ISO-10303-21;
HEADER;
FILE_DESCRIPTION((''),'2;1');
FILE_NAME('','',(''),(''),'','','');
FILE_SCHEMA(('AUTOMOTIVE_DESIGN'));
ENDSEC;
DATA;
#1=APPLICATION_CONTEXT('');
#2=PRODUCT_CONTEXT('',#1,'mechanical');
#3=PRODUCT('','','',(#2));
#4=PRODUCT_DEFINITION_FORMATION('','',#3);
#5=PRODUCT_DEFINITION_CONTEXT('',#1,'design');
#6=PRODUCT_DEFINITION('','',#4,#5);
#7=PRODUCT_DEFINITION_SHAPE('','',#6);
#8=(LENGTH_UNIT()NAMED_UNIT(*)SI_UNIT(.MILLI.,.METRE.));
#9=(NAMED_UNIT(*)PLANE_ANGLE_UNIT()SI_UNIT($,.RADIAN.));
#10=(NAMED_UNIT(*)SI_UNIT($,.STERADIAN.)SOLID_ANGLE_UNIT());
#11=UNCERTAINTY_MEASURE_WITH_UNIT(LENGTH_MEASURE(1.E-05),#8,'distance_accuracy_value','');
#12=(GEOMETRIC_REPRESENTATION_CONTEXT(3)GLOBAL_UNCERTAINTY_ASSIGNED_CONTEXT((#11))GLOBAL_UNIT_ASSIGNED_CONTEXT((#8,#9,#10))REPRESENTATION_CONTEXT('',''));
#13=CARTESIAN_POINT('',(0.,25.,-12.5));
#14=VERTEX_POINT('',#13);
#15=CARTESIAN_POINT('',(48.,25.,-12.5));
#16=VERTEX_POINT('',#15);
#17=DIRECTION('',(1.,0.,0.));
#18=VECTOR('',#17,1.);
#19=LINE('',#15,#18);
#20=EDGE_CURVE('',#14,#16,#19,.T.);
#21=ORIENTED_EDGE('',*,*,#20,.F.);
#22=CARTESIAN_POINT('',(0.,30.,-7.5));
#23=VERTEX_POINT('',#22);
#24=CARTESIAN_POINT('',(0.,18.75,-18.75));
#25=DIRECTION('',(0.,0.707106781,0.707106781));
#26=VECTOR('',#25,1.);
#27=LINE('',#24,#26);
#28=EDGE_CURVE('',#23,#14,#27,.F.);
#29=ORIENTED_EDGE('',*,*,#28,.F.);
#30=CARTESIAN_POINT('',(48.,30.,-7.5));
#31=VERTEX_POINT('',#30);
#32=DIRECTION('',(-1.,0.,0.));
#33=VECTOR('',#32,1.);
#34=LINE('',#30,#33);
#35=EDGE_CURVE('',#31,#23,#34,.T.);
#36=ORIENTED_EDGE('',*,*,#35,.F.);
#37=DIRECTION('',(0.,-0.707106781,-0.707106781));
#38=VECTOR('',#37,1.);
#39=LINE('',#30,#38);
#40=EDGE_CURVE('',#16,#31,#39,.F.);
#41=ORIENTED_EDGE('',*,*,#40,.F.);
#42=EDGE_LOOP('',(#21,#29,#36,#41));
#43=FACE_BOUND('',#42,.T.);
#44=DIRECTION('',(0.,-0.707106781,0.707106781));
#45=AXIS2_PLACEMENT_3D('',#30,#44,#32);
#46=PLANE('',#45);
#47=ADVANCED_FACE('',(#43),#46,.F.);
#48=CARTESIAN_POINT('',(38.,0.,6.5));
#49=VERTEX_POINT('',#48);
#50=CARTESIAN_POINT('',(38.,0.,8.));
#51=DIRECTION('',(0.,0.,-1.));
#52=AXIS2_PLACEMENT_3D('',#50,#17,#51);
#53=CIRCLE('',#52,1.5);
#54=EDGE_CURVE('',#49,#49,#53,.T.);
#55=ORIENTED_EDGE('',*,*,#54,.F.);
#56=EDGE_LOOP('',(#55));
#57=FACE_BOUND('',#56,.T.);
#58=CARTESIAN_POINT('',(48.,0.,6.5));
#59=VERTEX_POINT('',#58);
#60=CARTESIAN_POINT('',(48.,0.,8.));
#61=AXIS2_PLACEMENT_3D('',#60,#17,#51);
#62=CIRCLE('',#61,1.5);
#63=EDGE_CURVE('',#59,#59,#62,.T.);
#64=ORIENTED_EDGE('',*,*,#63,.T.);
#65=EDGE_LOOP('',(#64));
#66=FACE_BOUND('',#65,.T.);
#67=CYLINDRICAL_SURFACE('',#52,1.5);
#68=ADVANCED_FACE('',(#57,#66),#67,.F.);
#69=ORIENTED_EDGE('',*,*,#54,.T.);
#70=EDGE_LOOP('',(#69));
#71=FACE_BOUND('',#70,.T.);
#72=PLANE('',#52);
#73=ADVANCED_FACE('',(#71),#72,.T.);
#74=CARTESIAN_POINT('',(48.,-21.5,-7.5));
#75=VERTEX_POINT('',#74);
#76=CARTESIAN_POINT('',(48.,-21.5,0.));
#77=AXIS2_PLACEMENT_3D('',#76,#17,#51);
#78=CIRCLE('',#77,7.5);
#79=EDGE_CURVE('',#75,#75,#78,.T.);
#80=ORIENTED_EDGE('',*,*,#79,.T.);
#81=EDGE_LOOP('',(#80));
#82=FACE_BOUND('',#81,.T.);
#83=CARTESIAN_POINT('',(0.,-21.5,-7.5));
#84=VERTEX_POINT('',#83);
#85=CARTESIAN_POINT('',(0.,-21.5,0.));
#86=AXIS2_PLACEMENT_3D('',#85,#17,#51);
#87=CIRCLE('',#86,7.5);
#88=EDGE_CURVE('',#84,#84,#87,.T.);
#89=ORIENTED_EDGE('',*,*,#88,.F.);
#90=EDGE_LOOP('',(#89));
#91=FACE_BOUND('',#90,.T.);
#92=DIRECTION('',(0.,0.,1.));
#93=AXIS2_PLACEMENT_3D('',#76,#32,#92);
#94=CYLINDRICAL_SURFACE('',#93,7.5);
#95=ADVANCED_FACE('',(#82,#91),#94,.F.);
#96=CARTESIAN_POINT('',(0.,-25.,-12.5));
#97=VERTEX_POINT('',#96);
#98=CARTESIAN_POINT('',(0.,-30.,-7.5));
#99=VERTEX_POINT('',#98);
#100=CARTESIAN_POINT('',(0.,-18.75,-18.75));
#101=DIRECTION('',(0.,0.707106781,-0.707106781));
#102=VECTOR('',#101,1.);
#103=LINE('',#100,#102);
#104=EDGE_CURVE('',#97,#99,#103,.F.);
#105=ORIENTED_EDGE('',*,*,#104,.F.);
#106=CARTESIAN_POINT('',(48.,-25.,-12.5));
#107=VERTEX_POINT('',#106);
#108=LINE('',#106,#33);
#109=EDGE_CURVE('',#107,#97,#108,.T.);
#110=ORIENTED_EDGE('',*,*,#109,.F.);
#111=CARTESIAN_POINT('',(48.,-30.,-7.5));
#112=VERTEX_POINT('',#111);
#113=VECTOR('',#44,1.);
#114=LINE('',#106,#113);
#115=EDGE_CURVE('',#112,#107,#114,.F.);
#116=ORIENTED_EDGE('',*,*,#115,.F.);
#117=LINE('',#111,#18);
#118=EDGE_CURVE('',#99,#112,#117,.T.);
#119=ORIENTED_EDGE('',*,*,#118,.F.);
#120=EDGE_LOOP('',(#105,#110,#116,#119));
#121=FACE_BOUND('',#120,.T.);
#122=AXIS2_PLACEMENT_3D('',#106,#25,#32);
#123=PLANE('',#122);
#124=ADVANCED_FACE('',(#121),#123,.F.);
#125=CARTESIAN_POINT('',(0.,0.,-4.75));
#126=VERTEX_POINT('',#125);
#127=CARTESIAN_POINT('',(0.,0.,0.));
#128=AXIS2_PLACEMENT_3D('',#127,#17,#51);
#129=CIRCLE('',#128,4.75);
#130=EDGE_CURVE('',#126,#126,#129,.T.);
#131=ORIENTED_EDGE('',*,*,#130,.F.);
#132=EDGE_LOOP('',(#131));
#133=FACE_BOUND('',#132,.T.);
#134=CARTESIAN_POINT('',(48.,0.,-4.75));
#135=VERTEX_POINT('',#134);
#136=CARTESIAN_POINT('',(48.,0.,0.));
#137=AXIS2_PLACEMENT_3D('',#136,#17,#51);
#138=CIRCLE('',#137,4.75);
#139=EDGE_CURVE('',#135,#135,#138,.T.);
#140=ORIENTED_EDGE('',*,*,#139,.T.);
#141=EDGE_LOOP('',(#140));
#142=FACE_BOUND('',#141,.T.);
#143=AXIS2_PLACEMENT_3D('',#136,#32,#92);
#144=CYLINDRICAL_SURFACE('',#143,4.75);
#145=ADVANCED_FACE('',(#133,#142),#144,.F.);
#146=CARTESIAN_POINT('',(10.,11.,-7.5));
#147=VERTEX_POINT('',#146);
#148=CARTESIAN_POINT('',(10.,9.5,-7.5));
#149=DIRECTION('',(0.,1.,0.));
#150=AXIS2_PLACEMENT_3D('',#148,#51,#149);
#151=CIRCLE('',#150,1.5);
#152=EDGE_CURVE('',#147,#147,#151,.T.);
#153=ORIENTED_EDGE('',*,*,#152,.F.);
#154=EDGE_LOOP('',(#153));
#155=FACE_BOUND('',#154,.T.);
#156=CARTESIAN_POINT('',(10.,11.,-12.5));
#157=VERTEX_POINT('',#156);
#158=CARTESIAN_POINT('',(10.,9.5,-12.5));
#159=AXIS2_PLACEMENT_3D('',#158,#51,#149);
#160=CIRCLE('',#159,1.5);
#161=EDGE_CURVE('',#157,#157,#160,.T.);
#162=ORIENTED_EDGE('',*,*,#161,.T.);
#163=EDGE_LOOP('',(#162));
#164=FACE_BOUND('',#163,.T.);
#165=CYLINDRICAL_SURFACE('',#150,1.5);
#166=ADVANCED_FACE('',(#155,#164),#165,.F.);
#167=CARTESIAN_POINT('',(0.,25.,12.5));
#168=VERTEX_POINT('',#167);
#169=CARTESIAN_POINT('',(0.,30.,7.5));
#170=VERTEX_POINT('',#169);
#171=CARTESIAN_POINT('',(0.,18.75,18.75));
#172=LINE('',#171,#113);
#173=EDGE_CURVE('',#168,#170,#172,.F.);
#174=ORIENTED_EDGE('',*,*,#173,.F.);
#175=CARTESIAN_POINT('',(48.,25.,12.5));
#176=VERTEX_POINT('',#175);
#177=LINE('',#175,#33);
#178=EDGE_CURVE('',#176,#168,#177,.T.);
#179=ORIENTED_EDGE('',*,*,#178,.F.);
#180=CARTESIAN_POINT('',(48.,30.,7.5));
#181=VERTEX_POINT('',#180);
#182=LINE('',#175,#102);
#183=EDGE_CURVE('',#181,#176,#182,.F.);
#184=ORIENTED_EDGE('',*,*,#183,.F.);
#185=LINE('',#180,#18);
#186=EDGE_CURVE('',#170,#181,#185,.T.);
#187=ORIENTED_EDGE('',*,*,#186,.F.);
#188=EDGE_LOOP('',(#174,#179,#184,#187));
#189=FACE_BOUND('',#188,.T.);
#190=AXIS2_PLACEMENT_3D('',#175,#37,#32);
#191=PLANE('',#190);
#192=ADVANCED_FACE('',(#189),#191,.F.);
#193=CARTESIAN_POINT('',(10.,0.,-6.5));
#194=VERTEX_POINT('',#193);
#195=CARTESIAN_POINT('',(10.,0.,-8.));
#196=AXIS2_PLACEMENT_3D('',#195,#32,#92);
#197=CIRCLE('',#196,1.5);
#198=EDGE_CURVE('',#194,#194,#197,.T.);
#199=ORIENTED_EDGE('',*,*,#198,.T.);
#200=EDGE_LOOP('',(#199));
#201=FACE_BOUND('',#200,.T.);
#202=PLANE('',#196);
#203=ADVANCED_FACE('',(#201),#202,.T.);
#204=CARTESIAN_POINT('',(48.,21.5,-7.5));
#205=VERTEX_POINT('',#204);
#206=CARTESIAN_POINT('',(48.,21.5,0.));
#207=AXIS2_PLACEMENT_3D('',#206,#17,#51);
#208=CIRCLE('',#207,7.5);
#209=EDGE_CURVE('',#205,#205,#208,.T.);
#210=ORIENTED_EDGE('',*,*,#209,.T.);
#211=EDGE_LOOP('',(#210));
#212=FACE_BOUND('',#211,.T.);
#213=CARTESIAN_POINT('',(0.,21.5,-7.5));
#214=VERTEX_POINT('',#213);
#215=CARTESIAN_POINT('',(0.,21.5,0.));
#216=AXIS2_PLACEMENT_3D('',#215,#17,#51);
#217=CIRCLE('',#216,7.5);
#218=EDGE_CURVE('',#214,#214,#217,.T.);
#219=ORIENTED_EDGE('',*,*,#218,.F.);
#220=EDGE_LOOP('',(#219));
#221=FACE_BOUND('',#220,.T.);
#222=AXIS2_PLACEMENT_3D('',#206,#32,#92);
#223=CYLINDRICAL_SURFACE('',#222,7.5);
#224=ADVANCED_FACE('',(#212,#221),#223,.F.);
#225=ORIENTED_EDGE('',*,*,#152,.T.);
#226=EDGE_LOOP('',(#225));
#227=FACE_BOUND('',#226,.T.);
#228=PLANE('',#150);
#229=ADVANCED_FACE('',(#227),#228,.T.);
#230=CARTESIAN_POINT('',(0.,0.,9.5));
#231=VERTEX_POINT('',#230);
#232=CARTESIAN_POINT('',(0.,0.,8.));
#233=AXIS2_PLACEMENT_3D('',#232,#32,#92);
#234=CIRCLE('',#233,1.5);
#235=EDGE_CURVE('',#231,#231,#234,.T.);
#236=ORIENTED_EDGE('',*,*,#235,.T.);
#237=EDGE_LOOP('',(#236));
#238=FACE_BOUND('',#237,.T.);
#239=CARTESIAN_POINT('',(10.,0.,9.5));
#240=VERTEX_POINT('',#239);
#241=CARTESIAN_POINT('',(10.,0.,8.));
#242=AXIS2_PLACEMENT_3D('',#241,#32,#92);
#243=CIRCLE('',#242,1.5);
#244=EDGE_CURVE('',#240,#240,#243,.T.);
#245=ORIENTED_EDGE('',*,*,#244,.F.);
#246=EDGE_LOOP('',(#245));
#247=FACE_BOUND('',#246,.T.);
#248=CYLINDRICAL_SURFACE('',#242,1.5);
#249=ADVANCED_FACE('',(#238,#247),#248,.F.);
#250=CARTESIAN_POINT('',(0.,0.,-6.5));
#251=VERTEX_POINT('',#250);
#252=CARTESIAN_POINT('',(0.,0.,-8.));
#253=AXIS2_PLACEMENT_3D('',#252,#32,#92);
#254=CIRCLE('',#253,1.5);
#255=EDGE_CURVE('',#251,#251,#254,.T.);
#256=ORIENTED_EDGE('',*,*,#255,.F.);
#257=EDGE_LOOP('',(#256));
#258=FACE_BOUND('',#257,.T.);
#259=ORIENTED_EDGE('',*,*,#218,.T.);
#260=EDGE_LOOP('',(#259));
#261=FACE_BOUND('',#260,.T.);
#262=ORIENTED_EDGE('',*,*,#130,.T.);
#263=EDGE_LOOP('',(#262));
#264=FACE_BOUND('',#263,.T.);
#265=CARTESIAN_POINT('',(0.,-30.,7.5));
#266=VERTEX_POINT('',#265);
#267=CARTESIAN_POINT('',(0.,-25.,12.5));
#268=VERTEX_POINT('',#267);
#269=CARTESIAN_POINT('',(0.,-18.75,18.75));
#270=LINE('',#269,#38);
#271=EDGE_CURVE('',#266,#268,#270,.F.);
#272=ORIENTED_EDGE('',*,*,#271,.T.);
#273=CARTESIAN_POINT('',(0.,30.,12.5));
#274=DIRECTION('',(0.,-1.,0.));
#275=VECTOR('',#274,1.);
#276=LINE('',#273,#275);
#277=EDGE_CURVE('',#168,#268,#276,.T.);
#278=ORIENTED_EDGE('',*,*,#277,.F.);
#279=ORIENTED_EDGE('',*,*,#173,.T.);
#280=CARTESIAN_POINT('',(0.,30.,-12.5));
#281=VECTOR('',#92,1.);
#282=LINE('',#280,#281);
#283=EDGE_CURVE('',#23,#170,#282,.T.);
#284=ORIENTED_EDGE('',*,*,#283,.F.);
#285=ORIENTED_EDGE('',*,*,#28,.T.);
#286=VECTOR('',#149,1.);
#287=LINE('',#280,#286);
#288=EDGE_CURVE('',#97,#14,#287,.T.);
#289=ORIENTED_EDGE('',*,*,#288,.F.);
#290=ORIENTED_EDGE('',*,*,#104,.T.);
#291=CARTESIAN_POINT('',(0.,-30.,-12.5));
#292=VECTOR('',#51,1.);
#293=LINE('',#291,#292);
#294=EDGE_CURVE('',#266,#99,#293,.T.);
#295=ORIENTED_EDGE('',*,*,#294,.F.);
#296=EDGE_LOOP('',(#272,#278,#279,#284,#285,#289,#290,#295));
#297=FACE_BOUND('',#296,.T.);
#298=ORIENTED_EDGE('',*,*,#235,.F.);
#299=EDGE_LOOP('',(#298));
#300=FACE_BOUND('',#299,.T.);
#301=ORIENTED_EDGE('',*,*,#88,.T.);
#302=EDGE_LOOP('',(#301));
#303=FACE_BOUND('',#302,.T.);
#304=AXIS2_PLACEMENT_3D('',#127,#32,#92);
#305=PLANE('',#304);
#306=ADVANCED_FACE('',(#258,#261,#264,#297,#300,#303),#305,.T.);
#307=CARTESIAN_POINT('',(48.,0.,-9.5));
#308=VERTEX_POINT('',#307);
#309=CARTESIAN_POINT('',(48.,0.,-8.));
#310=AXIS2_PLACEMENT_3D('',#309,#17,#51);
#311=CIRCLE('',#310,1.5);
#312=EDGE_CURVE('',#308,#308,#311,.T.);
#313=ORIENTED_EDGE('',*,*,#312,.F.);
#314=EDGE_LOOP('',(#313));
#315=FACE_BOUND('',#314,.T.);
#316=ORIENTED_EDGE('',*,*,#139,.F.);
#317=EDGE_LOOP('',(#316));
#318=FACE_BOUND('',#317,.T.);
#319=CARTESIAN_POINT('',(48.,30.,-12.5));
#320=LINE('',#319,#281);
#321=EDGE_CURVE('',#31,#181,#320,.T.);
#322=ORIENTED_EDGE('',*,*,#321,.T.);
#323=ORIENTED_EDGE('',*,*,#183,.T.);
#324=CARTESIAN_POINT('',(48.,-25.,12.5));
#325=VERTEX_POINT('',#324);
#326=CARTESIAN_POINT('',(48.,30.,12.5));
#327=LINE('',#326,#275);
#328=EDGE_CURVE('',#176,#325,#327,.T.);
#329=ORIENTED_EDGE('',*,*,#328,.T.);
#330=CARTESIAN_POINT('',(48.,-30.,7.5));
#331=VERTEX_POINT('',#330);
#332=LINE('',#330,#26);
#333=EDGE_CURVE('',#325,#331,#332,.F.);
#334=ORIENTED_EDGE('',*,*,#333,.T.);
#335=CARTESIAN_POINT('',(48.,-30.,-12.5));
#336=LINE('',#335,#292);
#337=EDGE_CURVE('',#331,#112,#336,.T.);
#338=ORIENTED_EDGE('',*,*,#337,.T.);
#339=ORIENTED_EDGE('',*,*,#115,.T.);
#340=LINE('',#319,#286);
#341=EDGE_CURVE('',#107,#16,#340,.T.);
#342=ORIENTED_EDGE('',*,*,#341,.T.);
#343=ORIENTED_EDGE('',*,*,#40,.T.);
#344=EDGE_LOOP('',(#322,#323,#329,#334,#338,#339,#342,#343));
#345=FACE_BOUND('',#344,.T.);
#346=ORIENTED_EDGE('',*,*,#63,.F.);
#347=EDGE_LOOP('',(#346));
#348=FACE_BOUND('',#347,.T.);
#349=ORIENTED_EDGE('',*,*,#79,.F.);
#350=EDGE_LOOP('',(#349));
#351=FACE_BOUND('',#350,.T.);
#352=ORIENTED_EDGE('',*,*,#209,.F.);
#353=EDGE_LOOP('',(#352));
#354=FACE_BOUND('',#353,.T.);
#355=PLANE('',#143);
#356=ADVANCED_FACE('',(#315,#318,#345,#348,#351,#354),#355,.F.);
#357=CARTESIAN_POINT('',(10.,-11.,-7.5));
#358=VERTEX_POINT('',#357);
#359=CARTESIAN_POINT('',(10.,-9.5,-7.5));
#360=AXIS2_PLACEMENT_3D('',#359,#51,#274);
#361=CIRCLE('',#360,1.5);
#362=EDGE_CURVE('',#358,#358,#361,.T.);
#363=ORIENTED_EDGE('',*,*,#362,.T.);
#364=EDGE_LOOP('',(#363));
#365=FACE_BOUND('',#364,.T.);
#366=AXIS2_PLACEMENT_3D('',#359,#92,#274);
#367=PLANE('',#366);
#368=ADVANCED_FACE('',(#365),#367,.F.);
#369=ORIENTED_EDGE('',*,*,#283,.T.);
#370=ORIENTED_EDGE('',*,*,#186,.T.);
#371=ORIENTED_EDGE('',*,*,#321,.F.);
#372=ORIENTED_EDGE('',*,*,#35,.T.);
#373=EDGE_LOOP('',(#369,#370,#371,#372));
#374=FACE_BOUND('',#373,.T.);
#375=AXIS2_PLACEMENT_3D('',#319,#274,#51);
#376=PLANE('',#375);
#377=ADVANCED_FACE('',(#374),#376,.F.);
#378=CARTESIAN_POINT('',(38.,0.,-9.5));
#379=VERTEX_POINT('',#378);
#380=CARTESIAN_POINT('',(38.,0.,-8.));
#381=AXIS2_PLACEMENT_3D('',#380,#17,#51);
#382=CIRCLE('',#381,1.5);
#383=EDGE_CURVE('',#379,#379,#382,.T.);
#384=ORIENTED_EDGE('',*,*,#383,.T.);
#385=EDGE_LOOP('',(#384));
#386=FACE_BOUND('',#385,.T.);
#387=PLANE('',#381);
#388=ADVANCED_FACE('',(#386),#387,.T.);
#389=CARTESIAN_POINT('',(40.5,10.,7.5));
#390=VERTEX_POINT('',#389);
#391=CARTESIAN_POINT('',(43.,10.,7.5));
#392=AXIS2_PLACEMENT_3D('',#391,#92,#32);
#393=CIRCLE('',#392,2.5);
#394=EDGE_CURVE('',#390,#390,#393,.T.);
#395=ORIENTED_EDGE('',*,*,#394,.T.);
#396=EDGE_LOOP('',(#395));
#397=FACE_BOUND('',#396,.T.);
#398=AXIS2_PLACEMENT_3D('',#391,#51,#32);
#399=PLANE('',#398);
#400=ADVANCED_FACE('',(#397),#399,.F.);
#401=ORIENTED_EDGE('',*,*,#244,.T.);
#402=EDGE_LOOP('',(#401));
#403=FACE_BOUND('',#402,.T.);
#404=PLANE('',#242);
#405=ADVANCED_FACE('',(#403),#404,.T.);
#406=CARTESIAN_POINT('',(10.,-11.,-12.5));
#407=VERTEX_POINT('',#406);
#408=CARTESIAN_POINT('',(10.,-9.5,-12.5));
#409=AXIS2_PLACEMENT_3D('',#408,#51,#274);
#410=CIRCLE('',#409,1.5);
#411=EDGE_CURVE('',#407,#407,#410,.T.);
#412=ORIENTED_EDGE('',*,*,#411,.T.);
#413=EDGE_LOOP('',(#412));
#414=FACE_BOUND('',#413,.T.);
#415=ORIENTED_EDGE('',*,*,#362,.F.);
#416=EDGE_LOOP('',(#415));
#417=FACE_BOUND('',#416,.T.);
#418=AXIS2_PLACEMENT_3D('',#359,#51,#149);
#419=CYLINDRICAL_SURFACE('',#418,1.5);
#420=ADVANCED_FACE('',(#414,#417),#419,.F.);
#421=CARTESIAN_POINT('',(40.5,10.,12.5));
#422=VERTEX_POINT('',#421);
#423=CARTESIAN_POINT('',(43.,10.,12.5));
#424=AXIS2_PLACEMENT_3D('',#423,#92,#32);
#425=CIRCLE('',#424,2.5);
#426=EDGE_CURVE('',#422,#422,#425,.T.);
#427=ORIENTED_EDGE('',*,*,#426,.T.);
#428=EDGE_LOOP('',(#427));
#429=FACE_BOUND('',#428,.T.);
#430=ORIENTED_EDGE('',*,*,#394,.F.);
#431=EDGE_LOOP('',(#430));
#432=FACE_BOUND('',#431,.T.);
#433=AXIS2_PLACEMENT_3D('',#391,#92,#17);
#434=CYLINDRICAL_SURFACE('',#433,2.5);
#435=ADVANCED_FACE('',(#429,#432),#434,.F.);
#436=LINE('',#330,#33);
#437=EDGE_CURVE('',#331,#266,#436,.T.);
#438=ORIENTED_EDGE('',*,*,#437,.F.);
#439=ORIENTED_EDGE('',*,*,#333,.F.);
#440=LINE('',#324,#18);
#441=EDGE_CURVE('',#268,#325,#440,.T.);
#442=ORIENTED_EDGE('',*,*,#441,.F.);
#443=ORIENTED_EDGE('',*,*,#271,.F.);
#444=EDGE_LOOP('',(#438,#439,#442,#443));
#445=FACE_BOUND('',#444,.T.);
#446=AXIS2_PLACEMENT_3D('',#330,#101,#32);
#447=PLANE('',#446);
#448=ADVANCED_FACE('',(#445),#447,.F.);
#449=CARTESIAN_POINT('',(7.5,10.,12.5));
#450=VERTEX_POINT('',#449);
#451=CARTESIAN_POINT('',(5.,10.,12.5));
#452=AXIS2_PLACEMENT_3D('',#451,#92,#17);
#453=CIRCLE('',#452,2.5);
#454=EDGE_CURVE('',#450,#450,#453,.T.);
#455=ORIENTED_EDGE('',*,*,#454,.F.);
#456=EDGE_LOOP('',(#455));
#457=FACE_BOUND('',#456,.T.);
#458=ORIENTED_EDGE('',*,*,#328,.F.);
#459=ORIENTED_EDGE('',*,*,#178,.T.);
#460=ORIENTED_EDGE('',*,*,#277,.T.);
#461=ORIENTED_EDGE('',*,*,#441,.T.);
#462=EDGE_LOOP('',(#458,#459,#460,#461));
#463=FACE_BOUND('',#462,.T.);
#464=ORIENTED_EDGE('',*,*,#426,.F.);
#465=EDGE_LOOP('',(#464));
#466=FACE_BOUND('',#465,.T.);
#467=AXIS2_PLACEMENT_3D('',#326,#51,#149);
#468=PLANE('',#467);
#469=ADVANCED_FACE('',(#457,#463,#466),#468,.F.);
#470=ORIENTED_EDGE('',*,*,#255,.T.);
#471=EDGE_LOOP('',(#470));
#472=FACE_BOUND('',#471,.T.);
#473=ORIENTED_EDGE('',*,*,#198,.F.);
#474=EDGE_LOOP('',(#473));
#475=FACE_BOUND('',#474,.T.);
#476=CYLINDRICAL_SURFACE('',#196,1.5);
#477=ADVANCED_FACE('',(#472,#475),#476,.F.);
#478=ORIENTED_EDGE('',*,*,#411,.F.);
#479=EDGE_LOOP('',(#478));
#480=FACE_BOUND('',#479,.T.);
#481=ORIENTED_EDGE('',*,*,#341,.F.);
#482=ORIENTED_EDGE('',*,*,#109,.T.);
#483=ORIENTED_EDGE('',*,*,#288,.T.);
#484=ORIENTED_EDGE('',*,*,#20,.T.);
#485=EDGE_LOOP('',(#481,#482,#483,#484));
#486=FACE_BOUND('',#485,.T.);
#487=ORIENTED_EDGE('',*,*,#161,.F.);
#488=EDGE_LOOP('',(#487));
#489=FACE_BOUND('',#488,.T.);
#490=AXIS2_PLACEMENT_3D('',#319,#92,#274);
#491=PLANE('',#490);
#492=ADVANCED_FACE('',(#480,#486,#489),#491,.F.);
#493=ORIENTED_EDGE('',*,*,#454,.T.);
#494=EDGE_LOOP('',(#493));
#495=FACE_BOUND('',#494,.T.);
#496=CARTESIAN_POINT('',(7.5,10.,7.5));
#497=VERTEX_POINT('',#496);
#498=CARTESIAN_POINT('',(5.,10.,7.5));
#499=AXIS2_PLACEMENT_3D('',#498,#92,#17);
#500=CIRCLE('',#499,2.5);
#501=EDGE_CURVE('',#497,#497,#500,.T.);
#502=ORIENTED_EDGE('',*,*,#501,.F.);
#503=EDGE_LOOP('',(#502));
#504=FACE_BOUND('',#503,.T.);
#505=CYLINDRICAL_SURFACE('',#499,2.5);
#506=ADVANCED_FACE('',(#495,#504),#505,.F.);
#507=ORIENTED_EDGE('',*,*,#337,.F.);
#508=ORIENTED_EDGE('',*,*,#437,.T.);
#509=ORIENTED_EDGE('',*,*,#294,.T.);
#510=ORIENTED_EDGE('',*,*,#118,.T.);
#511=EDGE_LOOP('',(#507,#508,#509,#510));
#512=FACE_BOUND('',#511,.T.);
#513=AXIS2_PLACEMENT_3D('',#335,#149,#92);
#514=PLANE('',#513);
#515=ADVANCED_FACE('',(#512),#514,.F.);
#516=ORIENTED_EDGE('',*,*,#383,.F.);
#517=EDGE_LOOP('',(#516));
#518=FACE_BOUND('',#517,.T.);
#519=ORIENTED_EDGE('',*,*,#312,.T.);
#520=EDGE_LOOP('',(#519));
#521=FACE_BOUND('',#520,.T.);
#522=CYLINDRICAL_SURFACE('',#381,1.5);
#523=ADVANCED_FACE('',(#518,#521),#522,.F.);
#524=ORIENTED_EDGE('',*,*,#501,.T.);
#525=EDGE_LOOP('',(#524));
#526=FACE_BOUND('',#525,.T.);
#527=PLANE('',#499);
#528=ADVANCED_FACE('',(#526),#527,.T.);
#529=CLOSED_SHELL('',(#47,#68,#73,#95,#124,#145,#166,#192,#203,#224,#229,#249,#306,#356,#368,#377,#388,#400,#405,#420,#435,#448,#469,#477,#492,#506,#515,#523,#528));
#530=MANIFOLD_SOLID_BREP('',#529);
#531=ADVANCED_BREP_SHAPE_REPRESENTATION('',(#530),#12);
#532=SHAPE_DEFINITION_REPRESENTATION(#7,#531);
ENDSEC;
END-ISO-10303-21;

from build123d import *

# Parameters (mm, degrees)
SKETCH_1_W          = 25
SKETCH_1_H          = 60
SKETCH_1_R          = 4.75
SKETCH_1_R_2        = 7.5
EXTRUDE_1_DEPTH     = 48
SKETCH_2_R          = 1.5
CUT_EXTRUDE_1_DEPTH = 10
CUT_EXTRUDE_START   = -10
SKETCH_3_R          = 1.5
CUT_EXTRUDE_2_DEPTH = 10
CHAMFER_1_SIZE      = 5
SKETCH_4_R          = 2.5
CUT_EXTRUDE_3_DEPTH = 5
SKETCH_5_R          = 1.5
CUT_EXTRUDE_4_DEPTH = 5


with BuildPart() as part:
    # 草图1 → 凸台-拉伸1 (new body)
    with BuildSketch(Plane(origin=(0, 0, 0), x_dir=(0, 0, -1), z_dir=(1, 0, 0))):
        Rectangle(SKETCH_1_W, SKETCH_1_H)
        Circle(SKETCH_1_R, mode=Mode.SUBTRACT)
        with Locations((0, 21.5)):
            Circle(SKETCH_1_R_2, mode=Mode.SUBTRACT)
        with Locations((0, -21.5)):
            Circle(SKETCH_1_R_2, mode=Mode.SUBTRACT)
    extrude(amount=EXTRUDE_1_DEPTH)

    # 草图2 → 切除-拉伸1 (cut)
    with BuildSketch(Plane.ZY):
        with Locations((8, 0)):
            Circle(SKETCH_2_R)
        with Locations((-8, 0)):
            Circle(SKETCH_2_R)
    extrude(amount=-CUT_EXTRUDE_1_DEPTH, mode=Mode.SUBTRACT)

    # 草图3 → 切除-拉伸2 (cut)
    with BuildSketch(Plane(origin=(48, 0, 0), x_dir=(0, 0, -1), z_dir=(1, 0, 0)).offset(CUT_EXTRUDE_START)):
        with Locations(Location((8, 0, 0), (0, 0, 180))):
            Circle(SKETCH_3_R)
        with Locations(Location((-8, 0, 0), (0, 0, 180))):
            Circle(SKETCH_3_R)
    extrude(amount=CUT_EXTRUDE_2_DEPTH, mode=Mode.SUBTRACT)

    # 倒角1
    chamfer_1_edges = [part.edges().sort_by_distance(p)[0] for p in [
        (24, 30, 12.5),
        (24, 30, -12.5),
        (24, -30, -12.5),
        (24, -30, 12.5),
    ]]
    chamfer(chamfer_1_edges, length=CHAMFER_1_SIZE)

    # 草图4 → 切除-拉伸3 (cut)
    with BuildSketch(Plane.XY.offset(12.5)):
        with Locations((5, 10)):
            Circle(SKETCH_4_R)
        with Locations(Location((43, 10, 0), (0, 0, 180))):
            Circle(SKETCH_4_R)
    extrude(amount=-CUT_EXTRUDE_3_DEPTH, mode=Mode.SUBTRACT)

    # 草图5 → 切除-拉伸4 (cut)
    with BuildSketch(Plane(origin=(0, 0, -12.5), x_dir=(-1, 0, 0), z_dir=(0, 0, -1))):
        with Locations(Location((-10, 9.5, 0), (0, 0, 90))):
            Circle(SKETCH_5_R)
        with Locations(Location((-10, -9.5, 0), (0, 0, 270))):
            Circle(SKETCH_5_R)
    extrude(amount=-CUT_EXTRUDE_4_DEPTH, mode=Mode.SUBTRACT)


solid = part.part
